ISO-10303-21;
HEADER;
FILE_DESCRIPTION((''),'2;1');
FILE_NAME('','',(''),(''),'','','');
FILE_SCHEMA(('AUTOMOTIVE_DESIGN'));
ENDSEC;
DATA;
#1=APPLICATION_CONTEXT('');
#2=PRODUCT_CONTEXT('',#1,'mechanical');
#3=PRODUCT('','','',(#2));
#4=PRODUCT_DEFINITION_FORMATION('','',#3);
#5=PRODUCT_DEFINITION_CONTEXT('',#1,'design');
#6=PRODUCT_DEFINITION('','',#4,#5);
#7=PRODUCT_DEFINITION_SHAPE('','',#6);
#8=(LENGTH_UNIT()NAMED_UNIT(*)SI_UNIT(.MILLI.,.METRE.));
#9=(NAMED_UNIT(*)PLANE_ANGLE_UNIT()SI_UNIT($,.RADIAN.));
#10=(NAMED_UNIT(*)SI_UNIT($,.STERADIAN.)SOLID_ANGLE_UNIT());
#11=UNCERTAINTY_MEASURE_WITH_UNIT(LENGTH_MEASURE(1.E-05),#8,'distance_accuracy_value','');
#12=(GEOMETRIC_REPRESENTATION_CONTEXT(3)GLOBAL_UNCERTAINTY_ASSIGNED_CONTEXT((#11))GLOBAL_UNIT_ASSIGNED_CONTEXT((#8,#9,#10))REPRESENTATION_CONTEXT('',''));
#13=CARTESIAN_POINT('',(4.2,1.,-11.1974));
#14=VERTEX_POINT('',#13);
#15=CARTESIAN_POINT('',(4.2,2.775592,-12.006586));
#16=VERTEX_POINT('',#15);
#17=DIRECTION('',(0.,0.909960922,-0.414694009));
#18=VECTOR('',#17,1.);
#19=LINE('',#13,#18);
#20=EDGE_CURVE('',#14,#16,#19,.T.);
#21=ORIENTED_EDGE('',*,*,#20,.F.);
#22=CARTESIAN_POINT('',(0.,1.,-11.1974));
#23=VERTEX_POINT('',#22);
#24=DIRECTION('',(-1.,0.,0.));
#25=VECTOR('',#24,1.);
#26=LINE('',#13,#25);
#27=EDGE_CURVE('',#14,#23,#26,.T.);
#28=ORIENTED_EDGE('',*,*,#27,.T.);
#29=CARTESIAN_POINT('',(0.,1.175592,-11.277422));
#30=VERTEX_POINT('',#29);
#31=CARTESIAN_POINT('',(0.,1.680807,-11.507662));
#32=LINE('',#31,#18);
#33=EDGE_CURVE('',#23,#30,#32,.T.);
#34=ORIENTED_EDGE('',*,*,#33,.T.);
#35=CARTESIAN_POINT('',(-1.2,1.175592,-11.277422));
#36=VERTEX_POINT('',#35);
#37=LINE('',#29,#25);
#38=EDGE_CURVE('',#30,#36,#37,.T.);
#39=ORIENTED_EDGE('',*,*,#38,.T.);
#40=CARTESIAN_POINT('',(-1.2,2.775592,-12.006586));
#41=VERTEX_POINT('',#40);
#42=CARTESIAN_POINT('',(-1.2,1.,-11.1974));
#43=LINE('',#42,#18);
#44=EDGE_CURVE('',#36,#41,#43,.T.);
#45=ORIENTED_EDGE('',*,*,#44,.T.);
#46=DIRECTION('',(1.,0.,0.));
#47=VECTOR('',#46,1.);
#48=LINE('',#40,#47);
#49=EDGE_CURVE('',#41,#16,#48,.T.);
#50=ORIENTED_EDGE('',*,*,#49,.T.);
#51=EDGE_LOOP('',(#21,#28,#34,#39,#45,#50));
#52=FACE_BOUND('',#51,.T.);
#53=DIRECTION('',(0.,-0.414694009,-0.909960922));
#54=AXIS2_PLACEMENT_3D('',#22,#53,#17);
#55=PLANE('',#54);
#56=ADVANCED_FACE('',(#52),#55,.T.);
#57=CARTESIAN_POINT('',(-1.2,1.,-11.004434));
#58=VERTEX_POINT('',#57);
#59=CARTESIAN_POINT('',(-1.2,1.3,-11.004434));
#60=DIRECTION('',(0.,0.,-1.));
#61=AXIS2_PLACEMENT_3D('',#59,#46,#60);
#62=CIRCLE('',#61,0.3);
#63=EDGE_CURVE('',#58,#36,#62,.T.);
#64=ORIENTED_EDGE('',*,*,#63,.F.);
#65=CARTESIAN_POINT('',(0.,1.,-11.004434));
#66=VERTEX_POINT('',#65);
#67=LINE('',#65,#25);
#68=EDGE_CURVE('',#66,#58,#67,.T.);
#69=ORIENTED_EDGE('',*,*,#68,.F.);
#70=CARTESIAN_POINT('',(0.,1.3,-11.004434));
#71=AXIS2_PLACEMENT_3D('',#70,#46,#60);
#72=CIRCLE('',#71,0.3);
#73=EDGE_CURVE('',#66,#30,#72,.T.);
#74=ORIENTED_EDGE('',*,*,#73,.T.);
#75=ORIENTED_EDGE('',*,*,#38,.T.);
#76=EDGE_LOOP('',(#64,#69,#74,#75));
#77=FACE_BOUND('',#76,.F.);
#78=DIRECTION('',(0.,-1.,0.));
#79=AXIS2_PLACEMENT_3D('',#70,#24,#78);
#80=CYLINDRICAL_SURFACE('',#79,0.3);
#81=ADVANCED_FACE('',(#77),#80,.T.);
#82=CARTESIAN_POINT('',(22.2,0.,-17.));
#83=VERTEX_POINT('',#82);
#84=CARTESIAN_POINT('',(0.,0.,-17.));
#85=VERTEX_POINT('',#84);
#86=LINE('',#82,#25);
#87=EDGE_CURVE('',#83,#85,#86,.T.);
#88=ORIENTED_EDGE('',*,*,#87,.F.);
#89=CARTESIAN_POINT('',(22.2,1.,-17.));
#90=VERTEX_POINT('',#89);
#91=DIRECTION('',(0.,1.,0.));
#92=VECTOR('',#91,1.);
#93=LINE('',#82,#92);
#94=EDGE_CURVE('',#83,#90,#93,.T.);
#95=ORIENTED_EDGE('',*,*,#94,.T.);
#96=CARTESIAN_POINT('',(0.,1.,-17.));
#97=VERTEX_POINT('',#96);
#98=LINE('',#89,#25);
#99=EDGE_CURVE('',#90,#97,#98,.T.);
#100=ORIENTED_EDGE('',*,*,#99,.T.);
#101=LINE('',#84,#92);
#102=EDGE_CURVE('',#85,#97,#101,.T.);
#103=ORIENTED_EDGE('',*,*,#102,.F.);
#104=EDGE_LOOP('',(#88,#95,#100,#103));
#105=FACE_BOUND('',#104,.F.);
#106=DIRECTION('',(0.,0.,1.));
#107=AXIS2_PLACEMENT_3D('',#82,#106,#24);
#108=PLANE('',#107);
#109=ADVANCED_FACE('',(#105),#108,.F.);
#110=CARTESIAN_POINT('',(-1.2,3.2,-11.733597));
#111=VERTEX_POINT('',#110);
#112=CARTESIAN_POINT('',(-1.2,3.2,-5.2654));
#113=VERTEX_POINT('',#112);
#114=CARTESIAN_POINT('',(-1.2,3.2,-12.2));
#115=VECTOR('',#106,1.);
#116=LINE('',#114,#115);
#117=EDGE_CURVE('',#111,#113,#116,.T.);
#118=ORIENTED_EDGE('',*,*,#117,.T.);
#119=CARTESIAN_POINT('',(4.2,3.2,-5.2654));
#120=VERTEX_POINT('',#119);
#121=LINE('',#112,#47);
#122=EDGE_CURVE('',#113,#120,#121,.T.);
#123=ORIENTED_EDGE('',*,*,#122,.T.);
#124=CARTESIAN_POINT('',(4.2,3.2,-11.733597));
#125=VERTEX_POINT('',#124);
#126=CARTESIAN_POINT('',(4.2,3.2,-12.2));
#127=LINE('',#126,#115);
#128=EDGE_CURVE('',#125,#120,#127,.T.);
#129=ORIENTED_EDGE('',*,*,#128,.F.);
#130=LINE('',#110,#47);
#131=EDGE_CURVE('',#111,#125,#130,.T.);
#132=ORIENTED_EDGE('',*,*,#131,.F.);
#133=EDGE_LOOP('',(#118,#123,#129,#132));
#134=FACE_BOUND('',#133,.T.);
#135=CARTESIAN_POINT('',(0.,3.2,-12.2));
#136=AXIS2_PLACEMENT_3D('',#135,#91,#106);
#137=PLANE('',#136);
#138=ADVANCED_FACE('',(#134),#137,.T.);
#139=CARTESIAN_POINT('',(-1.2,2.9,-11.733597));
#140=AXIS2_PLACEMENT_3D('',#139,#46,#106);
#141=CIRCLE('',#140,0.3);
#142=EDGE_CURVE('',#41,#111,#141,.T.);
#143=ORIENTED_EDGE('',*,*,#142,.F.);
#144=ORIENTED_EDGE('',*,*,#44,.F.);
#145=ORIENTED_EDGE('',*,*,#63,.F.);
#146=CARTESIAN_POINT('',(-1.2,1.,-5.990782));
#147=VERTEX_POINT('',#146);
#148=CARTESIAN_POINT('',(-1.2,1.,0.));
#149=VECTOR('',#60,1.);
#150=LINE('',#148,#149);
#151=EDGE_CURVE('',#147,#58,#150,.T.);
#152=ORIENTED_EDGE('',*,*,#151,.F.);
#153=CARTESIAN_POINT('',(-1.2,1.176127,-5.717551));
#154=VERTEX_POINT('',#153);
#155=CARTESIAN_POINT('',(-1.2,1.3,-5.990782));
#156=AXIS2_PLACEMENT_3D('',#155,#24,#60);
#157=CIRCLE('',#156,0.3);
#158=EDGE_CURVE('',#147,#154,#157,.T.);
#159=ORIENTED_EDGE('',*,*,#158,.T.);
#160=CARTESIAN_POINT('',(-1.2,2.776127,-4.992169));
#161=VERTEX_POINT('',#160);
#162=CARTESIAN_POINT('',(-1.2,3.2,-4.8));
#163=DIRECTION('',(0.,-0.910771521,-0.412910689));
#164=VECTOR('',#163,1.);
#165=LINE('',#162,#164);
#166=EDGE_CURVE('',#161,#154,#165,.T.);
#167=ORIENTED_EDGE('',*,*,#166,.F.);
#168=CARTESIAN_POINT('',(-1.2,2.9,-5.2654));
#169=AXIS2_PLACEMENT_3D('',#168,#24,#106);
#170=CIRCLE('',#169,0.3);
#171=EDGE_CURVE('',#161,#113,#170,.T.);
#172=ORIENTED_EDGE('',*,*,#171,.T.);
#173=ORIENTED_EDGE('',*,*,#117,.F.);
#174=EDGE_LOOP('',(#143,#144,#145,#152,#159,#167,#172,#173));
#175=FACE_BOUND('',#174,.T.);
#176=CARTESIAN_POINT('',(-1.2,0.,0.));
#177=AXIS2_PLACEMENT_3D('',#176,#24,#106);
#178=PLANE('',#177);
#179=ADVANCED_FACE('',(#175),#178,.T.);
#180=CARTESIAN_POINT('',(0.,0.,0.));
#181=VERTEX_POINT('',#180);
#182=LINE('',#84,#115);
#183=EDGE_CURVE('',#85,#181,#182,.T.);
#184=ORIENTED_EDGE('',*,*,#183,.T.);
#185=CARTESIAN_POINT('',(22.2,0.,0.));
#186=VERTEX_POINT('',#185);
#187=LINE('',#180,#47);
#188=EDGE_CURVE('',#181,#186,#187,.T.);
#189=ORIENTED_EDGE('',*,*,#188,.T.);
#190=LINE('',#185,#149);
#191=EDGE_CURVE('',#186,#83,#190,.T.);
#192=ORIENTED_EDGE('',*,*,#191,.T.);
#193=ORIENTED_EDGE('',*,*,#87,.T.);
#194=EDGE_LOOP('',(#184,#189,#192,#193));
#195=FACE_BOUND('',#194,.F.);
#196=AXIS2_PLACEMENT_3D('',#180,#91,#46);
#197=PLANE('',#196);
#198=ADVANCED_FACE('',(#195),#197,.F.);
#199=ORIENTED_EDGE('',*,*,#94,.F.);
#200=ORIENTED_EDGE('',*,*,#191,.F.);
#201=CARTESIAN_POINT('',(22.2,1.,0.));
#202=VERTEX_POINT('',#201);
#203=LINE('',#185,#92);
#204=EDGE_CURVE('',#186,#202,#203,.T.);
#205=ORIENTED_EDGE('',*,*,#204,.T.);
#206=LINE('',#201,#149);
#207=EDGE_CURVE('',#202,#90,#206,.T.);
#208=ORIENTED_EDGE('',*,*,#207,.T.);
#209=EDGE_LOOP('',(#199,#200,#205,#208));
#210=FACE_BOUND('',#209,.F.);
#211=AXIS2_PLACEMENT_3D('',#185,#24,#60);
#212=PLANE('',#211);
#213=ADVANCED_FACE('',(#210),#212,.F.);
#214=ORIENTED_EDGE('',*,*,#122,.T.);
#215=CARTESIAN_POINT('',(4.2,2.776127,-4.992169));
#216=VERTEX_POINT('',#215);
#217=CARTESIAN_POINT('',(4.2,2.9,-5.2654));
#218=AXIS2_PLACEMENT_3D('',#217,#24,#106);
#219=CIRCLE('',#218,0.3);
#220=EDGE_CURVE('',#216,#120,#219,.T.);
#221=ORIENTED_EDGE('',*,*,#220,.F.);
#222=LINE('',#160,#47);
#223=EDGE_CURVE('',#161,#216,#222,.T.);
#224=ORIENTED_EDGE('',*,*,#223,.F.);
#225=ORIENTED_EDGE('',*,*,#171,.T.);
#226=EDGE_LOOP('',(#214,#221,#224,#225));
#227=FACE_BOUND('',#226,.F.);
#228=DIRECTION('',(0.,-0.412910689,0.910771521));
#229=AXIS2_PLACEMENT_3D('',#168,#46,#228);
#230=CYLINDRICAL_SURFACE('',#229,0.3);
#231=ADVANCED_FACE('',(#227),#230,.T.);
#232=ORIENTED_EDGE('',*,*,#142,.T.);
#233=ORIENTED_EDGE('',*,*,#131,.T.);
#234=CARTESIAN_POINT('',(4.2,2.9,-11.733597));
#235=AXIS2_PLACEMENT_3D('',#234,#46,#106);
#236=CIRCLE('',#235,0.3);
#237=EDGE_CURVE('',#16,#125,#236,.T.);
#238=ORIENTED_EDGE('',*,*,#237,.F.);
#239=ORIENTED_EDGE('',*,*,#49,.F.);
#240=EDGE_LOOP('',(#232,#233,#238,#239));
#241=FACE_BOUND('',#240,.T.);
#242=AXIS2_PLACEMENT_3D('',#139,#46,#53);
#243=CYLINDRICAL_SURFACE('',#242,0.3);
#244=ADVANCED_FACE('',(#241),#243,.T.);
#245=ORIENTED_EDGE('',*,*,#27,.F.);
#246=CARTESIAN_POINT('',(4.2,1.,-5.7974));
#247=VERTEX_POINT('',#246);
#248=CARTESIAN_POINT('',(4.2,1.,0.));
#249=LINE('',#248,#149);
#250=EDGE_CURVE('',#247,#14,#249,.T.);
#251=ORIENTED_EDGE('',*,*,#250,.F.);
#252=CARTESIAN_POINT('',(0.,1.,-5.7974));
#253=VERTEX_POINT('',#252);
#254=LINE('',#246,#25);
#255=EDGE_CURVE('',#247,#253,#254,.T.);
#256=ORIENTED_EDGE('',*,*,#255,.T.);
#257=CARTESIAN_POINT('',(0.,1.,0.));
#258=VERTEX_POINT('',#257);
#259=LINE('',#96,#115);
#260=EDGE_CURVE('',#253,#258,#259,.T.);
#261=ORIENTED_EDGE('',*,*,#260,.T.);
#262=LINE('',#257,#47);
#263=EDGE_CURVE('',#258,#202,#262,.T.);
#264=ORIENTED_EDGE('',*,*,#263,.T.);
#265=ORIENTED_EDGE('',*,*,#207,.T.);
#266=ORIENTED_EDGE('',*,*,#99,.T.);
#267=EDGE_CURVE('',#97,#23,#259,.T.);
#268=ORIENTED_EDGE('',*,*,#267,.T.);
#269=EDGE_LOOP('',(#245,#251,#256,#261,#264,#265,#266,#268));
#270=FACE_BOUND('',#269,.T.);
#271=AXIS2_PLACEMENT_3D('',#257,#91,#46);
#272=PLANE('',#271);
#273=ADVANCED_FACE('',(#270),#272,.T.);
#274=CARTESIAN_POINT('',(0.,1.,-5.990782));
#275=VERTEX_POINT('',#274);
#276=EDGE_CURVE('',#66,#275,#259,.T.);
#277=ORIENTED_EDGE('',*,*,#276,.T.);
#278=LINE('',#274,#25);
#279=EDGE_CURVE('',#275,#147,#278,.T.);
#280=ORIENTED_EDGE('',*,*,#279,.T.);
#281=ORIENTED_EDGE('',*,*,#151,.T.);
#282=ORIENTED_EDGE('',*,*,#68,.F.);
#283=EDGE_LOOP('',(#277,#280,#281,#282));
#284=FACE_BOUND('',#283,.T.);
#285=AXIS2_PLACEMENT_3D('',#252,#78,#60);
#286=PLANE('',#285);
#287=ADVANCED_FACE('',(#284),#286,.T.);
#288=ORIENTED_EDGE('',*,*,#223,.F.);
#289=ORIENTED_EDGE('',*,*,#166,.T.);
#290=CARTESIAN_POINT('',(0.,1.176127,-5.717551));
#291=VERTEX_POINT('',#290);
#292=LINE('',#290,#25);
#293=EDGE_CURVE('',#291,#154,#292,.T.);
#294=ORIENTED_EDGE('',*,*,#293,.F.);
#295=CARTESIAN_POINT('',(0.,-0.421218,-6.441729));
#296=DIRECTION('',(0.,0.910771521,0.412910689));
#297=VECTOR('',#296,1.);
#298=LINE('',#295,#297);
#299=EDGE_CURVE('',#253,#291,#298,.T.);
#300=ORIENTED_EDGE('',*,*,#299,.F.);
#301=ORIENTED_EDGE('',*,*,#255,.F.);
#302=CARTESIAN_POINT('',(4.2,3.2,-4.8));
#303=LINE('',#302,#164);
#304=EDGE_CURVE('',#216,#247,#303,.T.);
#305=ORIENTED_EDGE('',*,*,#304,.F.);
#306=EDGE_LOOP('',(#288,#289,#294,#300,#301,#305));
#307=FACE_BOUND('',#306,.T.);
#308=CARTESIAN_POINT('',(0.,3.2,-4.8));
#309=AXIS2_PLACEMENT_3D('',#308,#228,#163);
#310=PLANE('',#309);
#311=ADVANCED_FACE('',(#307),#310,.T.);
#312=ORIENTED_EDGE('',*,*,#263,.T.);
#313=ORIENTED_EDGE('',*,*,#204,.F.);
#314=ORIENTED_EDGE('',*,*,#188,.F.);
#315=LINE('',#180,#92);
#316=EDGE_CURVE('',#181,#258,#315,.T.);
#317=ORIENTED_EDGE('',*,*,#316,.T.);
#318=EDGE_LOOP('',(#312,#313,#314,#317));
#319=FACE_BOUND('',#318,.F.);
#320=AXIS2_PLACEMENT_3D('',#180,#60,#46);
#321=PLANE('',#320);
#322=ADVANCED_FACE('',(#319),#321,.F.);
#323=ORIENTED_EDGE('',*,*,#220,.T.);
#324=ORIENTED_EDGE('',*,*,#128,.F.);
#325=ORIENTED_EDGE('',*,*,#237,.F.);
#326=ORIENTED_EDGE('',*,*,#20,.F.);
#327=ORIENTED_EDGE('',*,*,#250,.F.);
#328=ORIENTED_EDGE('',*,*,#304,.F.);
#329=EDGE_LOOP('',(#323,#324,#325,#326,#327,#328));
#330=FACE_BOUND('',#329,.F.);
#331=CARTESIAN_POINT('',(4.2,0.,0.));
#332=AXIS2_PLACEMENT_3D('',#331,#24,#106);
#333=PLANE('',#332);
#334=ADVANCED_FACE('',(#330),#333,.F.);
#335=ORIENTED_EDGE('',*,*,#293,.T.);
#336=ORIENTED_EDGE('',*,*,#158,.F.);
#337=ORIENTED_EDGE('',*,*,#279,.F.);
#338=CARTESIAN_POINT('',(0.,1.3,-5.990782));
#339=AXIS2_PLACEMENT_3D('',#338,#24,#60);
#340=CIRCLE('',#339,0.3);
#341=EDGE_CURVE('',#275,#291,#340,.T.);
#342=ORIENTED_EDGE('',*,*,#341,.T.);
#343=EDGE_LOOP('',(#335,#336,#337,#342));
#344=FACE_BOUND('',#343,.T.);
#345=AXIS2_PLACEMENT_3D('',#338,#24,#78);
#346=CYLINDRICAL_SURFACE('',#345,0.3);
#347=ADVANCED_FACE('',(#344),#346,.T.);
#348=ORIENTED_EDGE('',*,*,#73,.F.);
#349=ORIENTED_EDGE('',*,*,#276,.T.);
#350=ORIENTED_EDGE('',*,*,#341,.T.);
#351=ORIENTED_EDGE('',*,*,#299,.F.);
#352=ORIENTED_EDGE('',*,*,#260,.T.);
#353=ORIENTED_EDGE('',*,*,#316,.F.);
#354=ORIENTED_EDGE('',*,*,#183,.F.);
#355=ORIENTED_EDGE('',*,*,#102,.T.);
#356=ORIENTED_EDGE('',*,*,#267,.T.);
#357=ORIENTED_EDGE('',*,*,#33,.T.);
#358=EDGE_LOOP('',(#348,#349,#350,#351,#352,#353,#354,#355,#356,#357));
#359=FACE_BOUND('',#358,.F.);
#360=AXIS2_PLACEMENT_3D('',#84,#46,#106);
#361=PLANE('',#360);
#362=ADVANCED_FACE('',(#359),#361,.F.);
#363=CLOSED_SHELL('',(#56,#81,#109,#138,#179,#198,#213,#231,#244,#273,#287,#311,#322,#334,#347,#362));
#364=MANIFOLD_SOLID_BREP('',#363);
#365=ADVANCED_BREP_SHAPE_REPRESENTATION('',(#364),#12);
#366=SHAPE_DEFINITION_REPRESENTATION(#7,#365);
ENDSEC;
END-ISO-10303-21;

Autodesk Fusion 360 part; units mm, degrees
sketch "Sketch1" plane through (0, 0, 0) normal (0, 1, 0) x (1, 0, 0)
  line L0 (0, 0) -> (22.2, 0)
  line L1 (22.2, 0) -> (22.2, 17)
  line L2 (22.2, 17) -> (0, 17)
  line L3 (0, 17) -> (0, 0)
  dimension "d1" = 22.2
  dimension "d2" = 17
extrude "Extrude1" add sketch "Sketch1" along normal blind 1
sketch "Sketch2" plane through (0, 0, 0) normal (-1, 0, 0) x (0, 0, 1)
  line L0 (-17, 0) -> (0, 0)
  line L1 (0, 0) -> (0, 1)
  line L2 (0, 1) -> (-17, 1)
  line L3 (-17, 1) -> (-17, 0)
  line L4 (-12.2, 3.2) -> (-4.8, 3.2)
  line L5 (-4.8, 3.2) -> (-5.7974, 1)
  line L6 (-11.1974, 1) -> (-12.2, 3.2)
  point P0 (-8.5, 1)
  point P1 (-8.5, 3.2)
  dimension "d5" = 7.4
  dimension "d6" = 5.4
  dimension "d7" = 2.2
  dimension "d8" = 114.5
extrude "Extrude2" add sketch "Sketch2" along normal blind 1.2 and the other way blind 4.2 contours L2 L4 L5 L6
fillet "Fillet1" radius 0.3 4 edges at (1.5, 3.2, -4.8) (1.5, 3.2, -12.2) (-0.6, 1, -5.7974) (-0.6, 1, -11.1974)
